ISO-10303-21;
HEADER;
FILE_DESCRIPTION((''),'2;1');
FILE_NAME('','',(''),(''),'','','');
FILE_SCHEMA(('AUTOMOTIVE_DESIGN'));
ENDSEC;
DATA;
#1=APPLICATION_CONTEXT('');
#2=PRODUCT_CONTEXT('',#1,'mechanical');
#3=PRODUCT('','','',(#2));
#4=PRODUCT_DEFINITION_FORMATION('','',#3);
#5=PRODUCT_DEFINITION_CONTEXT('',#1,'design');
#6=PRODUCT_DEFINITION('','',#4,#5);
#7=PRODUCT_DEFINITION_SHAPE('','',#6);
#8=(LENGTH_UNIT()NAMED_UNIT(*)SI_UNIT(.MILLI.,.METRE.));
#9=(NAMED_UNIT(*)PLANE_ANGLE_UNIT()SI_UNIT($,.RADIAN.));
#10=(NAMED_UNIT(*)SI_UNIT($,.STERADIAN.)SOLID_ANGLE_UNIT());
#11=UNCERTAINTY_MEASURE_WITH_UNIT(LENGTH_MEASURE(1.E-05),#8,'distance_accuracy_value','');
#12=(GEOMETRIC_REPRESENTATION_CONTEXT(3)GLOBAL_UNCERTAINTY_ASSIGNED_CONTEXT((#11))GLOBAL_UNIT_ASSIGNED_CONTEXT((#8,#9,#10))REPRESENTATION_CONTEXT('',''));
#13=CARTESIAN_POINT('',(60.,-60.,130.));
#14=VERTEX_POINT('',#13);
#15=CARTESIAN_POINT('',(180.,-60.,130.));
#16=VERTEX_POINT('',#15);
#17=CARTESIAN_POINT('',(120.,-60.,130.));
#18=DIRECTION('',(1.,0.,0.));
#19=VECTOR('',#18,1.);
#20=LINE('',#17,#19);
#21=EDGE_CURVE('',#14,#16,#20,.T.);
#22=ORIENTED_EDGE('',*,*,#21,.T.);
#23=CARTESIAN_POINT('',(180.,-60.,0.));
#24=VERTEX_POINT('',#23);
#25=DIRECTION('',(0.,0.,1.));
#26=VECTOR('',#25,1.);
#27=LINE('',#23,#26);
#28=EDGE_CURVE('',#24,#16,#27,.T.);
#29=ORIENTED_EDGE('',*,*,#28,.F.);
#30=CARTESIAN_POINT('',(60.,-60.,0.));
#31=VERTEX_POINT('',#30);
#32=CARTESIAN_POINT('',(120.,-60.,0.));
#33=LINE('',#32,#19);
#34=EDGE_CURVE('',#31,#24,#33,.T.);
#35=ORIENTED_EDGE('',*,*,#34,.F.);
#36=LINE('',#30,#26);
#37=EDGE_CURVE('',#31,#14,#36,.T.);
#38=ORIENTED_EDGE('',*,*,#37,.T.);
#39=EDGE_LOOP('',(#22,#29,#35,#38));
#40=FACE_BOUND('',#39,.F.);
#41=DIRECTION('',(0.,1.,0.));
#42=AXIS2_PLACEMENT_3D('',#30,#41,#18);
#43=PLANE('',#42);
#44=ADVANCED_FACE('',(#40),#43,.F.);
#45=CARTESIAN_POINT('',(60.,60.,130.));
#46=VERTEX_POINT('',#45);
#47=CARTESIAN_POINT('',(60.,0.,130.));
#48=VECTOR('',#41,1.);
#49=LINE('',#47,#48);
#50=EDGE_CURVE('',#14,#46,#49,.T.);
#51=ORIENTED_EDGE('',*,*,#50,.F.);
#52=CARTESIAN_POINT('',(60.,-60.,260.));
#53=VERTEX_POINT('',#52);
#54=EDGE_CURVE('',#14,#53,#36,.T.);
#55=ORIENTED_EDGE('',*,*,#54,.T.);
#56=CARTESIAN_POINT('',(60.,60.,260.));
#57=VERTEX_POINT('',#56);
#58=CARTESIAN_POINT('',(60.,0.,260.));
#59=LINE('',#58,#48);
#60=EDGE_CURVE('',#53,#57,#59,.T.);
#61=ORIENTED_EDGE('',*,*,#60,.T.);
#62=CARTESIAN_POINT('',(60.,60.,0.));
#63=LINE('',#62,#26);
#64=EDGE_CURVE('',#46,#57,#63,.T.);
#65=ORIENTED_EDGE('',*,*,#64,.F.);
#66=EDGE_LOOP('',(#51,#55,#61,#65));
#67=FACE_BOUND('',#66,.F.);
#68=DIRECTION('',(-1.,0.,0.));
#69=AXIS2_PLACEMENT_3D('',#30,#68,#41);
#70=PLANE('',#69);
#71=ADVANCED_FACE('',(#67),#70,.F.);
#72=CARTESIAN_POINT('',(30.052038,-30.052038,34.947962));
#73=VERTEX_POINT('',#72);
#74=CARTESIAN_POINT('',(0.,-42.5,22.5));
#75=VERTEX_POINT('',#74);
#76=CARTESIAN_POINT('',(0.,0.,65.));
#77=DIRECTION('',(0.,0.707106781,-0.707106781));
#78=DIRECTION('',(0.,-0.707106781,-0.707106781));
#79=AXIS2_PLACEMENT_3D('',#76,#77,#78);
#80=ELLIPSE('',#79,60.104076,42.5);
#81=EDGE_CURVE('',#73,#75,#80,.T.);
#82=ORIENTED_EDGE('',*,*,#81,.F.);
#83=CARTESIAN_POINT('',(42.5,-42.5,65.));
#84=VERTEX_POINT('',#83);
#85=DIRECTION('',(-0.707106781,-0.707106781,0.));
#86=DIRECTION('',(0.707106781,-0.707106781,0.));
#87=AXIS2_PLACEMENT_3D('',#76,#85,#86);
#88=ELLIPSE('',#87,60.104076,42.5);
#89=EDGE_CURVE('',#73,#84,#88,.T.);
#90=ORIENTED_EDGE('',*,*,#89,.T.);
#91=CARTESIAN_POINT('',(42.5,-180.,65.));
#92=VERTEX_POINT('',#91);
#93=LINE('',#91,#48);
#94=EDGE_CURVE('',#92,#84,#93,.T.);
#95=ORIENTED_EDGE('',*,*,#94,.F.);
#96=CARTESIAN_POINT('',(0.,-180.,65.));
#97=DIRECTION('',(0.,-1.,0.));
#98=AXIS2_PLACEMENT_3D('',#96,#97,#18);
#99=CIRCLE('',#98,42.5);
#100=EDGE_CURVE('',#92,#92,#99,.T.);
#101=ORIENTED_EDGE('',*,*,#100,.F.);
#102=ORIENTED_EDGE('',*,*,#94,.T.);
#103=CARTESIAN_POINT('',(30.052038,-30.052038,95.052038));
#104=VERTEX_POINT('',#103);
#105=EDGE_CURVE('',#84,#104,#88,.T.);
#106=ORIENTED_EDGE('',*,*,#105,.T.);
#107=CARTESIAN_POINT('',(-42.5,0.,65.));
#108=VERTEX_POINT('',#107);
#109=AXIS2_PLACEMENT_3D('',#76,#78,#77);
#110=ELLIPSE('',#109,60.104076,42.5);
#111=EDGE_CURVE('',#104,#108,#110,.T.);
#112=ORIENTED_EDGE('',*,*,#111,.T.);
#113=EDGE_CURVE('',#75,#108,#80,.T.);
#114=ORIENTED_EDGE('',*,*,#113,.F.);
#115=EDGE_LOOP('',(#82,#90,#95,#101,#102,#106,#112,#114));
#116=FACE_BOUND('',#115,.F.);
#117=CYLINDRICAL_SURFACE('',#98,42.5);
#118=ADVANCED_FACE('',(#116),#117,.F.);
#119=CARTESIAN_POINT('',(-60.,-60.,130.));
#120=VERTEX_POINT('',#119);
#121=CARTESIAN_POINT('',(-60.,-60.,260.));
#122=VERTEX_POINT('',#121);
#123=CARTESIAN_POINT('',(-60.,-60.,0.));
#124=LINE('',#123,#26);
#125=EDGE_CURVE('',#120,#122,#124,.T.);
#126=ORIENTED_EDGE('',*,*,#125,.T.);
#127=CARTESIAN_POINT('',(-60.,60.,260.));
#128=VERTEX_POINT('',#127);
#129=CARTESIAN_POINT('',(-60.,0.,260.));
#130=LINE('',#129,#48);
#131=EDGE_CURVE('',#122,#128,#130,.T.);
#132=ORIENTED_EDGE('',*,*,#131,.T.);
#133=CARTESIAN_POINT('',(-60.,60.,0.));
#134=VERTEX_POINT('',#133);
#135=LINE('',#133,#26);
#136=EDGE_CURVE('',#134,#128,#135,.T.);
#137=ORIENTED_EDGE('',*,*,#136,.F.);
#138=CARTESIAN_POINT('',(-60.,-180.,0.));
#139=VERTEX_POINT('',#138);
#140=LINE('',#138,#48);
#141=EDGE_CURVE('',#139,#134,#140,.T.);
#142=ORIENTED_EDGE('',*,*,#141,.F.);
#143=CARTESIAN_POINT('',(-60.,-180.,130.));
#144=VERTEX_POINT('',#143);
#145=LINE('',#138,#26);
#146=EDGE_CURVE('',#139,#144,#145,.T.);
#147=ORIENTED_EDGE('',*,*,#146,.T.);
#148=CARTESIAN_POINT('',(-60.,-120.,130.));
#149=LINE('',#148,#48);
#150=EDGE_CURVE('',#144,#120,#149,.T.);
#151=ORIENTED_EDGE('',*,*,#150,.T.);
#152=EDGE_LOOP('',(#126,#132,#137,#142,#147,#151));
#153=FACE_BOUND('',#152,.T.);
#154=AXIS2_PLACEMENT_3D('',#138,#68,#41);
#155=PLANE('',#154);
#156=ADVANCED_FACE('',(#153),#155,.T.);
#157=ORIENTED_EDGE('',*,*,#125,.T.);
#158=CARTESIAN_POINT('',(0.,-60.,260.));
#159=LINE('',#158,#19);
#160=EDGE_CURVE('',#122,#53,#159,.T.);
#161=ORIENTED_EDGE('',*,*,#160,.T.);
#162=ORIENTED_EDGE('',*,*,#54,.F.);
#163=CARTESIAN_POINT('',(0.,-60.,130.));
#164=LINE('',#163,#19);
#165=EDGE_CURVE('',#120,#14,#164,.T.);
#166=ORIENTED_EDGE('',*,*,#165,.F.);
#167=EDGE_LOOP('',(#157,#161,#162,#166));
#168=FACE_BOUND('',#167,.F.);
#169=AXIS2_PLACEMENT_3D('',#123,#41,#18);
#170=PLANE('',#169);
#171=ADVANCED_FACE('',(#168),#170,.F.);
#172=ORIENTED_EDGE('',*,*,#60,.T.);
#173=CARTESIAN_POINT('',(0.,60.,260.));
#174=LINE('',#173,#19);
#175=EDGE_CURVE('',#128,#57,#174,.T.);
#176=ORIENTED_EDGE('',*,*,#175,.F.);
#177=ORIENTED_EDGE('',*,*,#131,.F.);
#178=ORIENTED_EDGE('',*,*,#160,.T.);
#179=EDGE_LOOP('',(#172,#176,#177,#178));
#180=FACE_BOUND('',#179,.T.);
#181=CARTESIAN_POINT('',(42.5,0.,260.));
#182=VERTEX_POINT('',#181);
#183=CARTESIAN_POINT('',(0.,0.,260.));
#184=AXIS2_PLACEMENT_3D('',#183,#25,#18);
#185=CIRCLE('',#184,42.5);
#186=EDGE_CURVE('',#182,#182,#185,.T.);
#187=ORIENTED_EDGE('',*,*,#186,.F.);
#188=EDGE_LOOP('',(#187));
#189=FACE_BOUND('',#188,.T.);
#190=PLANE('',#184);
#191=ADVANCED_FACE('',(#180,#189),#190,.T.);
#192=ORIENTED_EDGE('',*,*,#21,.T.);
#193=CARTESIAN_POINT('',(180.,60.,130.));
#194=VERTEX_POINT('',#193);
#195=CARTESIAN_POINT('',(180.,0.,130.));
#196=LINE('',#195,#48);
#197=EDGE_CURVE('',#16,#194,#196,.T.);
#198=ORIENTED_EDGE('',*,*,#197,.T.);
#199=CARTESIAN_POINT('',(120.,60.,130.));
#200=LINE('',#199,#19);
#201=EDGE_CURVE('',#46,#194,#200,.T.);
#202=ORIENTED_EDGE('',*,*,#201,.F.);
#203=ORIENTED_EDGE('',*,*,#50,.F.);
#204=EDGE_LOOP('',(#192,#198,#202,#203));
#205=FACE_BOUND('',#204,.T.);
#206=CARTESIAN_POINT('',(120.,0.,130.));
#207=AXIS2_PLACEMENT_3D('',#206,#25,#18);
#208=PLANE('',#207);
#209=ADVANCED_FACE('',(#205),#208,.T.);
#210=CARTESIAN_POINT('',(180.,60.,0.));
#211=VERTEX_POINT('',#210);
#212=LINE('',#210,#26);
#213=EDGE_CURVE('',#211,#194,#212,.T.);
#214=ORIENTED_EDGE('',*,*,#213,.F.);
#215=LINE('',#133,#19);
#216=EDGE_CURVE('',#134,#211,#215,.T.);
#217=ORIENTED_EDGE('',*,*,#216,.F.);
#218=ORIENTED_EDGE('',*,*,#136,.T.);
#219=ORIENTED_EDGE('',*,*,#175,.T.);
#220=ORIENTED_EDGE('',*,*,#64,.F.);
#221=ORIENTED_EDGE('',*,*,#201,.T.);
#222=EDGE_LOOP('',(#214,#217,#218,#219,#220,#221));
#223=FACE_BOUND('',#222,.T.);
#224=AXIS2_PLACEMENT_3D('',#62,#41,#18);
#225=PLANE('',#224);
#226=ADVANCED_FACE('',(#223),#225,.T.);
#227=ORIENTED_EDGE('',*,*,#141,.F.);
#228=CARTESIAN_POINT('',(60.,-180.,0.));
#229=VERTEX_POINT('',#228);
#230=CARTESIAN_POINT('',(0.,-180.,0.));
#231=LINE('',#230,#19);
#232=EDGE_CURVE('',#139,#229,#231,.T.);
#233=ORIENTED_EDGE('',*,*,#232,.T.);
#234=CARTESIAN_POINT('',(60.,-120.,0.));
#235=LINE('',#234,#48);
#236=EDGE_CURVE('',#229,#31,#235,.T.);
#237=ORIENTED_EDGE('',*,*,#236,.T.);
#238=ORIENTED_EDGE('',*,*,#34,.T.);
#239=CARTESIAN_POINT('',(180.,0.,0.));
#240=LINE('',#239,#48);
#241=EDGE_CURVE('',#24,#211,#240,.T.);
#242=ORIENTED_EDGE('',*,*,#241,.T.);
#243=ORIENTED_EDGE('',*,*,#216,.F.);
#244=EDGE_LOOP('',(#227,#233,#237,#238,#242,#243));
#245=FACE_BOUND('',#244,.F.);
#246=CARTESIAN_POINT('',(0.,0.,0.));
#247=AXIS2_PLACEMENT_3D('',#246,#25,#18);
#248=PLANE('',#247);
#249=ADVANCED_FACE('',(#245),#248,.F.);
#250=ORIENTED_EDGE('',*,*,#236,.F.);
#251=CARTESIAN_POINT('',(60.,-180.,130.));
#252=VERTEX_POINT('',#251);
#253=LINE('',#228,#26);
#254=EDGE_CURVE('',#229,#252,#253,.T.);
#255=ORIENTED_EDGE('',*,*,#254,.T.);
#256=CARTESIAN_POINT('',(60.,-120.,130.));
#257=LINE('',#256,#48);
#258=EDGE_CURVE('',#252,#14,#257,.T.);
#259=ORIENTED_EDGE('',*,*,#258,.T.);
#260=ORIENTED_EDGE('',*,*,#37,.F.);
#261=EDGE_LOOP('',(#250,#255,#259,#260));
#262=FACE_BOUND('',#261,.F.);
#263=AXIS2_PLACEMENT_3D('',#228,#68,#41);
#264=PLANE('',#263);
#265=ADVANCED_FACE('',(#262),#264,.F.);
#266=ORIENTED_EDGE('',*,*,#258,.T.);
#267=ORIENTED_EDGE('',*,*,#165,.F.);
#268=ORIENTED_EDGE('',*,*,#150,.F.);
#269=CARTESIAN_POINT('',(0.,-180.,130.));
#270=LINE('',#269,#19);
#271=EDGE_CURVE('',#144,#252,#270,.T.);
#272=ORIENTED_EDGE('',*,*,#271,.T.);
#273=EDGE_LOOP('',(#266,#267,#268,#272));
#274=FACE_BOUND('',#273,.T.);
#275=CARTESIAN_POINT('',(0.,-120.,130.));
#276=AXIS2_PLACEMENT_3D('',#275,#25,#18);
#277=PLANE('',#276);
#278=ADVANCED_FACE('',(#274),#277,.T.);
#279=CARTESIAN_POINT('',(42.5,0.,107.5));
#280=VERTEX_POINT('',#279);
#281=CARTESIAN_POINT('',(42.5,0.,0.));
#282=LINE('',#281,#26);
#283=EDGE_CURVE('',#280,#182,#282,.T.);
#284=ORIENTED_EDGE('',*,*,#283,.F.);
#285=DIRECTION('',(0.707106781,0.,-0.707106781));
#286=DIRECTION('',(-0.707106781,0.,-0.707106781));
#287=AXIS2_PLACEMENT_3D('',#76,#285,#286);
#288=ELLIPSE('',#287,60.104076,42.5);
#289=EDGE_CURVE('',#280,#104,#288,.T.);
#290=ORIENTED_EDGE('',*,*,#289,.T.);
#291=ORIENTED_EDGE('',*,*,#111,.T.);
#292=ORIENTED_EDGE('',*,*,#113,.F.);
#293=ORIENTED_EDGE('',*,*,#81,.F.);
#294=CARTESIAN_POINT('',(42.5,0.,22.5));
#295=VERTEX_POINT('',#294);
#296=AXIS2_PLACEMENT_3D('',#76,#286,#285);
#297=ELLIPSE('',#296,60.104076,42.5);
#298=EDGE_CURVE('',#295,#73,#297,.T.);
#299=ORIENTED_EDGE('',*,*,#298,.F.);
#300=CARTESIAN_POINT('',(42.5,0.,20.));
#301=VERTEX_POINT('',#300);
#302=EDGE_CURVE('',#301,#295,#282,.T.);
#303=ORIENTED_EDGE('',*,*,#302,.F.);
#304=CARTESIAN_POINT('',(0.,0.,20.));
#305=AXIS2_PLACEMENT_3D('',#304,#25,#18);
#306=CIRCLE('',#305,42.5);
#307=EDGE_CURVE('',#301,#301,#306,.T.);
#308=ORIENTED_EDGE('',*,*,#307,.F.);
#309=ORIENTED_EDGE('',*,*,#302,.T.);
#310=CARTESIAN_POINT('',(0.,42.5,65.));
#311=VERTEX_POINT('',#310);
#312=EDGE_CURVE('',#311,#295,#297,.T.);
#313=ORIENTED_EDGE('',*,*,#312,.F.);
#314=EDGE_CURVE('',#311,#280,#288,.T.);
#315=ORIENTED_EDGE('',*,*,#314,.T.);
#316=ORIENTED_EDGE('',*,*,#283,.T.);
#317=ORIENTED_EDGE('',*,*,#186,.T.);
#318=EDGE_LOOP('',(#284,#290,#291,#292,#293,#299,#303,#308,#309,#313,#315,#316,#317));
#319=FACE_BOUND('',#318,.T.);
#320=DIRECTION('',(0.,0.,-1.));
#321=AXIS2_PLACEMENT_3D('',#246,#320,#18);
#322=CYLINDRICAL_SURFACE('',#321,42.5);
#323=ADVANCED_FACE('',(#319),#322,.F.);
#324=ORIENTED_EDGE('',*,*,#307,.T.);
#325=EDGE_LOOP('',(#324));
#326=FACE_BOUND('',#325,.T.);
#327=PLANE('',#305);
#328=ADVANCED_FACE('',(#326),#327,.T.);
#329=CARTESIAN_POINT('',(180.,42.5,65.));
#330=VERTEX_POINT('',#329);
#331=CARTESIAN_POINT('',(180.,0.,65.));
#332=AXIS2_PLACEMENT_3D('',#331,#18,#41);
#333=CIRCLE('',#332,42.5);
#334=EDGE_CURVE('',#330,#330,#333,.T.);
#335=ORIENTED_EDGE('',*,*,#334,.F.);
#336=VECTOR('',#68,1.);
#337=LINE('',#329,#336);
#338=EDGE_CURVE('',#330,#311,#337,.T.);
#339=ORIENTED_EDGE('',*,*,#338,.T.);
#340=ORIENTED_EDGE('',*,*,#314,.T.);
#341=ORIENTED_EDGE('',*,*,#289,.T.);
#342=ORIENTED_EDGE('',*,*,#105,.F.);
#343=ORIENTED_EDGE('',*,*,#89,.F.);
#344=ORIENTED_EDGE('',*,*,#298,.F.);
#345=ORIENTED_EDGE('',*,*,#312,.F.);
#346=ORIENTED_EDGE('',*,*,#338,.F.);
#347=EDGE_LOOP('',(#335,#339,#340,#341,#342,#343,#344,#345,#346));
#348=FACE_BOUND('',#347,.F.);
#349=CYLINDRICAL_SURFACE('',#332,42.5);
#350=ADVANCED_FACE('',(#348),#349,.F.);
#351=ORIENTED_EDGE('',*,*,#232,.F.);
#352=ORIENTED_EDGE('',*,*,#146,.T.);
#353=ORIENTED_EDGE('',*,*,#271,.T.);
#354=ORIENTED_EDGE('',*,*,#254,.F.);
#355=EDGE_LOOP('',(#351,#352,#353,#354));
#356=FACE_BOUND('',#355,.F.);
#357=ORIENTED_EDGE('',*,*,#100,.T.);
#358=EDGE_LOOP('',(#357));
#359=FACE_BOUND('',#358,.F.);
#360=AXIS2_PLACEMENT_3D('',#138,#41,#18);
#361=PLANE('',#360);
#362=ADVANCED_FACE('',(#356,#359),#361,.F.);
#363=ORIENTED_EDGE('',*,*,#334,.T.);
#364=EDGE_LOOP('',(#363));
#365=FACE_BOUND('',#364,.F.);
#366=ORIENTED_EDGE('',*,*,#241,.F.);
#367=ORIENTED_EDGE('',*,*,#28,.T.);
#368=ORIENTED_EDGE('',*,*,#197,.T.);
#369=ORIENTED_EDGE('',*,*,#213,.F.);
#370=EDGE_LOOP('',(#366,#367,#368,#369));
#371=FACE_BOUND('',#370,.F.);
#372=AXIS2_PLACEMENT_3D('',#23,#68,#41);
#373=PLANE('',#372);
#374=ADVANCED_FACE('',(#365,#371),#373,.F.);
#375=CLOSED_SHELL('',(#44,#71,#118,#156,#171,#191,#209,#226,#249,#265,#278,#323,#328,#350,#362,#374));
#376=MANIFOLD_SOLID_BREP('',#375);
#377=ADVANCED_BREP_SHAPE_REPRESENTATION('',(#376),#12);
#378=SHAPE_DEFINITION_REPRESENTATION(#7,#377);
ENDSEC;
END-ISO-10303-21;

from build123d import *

# Parameters (mm, degrees)
F0_W     = 120
F0_H     = 120
F0_R     = 42.5
F1_DEPTH = 260
F2_DEPTH = 130
F3_R     = 42.5
F5_DEPTH = 180
F4_R     = 42.5
F6_DEPTH = 180
F7_DEPTH = 20


with BuildPart() as f1:
    # F0 (on Top) → F1 (new body)
    with BuildSketch(Plane.XY):
        Rectangle(F0_W, F0_H)
        Circle(F0_R, mode=Mode.SUBTRACT)
    extrude(amount=F1_DEPTH)

    # F0 (on Top) → F2 (join)
    with BuildSketch(Plane.XY):
        with Locations((120, 0)):
            Rectangle(F0_W, F0_H)
        with Locations((0, -120)):
            Rectangle(F0_W, F0_H)
    extrude(amount=F2_DEPTH)

    # F3 (on face) → F5 (cut)
    with BuildSketch(Plane.XZ.offset(180)):
        with Locations((0, 65)):
            Circle(F3_R)
    extrude(amount=-F5_DEPTH, mode=Mode.SUBTRACT)

    # F4 (on face) → F6 (cut)
    with BuildSketch(Plane.YZ.offset(180)):
        with Locations((0, 65)):
            Circle(F4_R)
    extrude(amount=-F6_DEPTH, mode=Mode.SUBTRACT)

    # F0 (on Top) → F7 (join)
    with BuildSketch(Plane.XY):
        Circle(F0_R)
    extrude(amount=F7_DEPTH)


solid = f1.part
